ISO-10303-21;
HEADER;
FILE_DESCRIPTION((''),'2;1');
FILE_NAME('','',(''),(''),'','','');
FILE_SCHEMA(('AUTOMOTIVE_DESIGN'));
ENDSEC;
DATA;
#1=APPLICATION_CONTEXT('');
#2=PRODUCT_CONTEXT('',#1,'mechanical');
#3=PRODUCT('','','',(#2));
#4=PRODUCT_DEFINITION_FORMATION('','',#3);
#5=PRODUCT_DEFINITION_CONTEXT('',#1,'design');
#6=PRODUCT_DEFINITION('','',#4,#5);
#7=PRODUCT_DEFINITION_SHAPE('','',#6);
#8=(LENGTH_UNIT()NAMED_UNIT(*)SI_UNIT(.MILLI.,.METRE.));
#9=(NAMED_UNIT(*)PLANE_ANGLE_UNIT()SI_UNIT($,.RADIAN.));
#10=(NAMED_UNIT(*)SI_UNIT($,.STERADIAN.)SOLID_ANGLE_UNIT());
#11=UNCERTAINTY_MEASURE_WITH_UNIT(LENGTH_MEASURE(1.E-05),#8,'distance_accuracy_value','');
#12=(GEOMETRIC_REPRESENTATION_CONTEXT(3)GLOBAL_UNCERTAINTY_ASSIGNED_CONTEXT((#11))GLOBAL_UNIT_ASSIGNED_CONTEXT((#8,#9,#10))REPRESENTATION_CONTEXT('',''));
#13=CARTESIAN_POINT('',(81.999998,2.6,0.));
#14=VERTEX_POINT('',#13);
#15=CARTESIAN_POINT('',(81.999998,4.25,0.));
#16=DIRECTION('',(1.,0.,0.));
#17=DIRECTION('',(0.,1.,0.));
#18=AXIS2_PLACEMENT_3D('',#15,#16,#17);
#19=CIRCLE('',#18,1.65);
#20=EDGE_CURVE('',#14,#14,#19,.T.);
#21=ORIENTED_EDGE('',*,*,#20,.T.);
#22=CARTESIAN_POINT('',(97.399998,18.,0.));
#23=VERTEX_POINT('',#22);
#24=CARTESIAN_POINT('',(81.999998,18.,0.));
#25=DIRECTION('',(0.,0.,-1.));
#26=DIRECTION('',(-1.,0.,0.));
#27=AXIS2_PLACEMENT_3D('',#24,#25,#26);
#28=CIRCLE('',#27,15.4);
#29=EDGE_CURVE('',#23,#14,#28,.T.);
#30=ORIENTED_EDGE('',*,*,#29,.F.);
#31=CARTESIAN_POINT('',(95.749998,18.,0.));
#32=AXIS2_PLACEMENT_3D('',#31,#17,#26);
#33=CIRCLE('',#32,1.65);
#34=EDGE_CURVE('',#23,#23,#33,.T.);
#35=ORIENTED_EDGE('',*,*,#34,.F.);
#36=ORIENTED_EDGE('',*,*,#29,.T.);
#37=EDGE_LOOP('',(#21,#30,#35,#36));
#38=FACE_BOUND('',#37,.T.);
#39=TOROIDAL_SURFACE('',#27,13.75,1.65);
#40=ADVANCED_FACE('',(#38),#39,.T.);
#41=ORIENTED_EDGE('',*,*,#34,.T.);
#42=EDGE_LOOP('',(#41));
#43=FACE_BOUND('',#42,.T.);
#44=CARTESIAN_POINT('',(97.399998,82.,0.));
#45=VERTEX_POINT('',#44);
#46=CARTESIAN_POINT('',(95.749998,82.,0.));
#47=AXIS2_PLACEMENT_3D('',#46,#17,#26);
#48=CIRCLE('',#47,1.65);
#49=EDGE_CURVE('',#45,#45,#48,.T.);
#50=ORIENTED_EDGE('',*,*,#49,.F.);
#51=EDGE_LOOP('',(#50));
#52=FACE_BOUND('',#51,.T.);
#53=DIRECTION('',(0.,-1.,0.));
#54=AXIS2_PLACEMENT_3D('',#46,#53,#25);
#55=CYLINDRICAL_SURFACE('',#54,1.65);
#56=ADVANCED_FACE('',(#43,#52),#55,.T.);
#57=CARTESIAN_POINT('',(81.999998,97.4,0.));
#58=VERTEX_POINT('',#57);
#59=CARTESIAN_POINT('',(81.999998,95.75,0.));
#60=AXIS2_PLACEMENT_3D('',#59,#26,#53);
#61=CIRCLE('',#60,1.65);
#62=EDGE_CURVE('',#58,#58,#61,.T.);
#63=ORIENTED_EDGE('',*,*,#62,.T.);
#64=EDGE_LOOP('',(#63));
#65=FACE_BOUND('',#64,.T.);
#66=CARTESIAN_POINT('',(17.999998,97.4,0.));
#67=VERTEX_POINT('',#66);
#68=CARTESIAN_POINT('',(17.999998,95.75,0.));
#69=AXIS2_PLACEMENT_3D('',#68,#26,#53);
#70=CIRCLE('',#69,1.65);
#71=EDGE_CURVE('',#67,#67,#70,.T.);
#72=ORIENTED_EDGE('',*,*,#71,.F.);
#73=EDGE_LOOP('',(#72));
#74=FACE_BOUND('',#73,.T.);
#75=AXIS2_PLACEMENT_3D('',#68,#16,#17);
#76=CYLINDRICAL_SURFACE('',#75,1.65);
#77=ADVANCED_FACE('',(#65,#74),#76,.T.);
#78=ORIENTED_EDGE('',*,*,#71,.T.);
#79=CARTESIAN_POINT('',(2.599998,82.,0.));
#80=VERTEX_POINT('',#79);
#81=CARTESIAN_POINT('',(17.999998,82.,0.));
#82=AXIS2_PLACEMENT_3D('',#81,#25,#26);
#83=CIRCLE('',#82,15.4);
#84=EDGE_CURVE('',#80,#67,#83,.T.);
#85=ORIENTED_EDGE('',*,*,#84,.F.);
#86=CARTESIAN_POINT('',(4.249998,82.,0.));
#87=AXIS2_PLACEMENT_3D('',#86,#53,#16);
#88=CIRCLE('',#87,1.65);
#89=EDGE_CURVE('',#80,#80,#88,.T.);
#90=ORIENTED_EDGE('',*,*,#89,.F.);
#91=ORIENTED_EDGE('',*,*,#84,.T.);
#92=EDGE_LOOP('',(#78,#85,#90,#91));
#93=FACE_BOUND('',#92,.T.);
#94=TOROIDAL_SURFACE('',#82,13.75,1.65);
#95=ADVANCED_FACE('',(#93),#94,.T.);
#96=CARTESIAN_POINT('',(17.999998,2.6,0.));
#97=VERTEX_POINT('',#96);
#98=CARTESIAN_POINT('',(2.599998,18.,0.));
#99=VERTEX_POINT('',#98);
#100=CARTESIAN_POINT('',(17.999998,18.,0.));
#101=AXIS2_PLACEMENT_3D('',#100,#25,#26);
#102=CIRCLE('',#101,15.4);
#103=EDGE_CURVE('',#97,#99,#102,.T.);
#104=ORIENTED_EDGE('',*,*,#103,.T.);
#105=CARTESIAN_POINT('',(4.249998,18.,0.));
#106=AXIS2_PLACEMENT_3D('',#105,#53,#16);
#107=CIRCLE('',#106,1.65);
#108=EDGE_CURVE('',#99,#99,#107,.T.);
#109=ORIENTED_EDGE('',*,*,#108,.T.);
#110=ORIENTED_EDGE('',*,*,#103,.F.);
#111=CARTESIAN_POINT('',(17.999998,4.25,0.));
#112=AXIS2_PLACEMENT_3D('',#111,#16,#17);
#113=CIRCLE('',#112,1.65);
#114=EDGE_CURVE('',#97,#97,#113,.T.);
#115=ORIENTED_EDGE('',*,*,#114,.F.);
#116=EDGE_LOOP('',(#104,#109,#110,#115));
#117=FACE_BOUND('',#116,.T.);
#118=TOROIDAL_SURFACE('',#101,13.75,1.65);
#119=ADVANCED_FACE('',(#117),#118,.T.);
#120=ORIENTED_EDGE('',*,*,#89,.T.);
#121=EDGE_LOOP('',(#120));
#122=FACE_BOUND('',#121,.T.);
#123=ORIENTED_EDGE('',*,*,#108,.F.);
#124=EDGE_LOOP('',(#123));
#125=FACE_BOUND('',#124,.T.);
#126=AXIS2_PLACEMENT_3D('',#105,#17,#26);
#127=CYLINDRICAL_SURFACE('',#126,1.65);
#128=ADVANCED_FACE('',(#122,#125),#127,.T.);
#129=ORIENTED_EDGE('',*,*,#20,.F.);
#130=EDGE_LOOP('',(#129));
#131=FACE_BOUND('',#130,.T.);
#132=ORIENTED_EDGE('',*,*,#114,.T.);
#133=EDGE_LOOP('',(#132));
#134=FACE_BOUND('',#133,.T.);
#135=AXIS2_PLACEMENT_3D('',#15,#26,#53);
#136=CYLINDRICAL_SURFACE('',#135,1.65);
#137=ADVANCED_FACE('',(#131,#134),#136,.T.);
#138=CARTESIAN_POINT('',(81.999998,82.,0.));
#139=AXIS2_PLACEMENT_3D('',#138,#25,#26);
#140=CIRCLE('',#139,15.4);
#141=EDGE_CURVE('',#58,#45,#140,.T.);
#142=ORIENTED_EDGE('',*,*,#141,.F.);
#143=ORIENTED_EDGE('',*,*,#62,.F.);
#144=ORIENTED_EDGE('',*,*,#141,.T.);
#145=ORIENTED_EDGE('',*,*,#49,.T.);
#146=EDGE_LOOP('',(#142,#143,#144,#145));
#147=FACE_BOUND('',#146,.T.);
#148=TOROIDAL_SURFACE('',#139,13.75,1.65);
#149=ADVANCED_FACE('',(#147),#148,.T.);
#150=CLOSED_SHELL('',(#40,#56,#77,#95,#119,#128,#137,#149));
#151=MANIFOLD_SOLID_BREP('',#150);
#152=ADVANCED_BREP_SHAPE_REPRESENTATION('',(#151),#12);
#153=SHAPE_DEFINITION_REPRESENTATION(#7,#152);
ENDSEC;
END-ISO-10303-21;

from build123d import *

# Parameters (mm, degrees)
SWEEP1_PROFILE_R = 1.65


with BuildPart() as part:
    # Sweep1: sweep along a path in Sketch1
    with BuildLine(Plane.XY) as sweep1_path:
        Line((4.249998297, 82.00000012), (4.249998297, 18.00000012))
        ThreePointArc((4.249998297, 18.00000012), (8.277280056, 8.277281879), (17.999998297, 4.25000012))
        Line((17.999998297, 4.25000012), (81.999998297, 4.25000012))
        ThreePointArc((81.999998297, 4.25000012), (91.722716538, 8.277281879), (95.749998297, 18.00000012))
        Line((95.749998297, 18.00000012), (95.749998297, 82.00000012))
        ThreePointArc((95.749998297, 82.00000012), (91.722716538, 91.722718361), (81.999998297, 95.75000012))
        Line((81.999998297, 95.75000012), (17.999998297, 95.75000012))
        ThreePointArc((17.999998297, 95.75000012), (8.277280056, 91.722718361), (4.249998297, 82.00000012))
    # Sweep1 profile (on start of the path) → Sweep1 (sweep)
    with BuildSketch(Plane(origin=(4.249998297, 82.00000012, 0), x_dir=(-1, 0, 0), z_dir=(0, -1, 0))):
        Circle(SWEEP1_PROFILE_R)
    sweep(path=sweep1_path.line)


solid = part.part
